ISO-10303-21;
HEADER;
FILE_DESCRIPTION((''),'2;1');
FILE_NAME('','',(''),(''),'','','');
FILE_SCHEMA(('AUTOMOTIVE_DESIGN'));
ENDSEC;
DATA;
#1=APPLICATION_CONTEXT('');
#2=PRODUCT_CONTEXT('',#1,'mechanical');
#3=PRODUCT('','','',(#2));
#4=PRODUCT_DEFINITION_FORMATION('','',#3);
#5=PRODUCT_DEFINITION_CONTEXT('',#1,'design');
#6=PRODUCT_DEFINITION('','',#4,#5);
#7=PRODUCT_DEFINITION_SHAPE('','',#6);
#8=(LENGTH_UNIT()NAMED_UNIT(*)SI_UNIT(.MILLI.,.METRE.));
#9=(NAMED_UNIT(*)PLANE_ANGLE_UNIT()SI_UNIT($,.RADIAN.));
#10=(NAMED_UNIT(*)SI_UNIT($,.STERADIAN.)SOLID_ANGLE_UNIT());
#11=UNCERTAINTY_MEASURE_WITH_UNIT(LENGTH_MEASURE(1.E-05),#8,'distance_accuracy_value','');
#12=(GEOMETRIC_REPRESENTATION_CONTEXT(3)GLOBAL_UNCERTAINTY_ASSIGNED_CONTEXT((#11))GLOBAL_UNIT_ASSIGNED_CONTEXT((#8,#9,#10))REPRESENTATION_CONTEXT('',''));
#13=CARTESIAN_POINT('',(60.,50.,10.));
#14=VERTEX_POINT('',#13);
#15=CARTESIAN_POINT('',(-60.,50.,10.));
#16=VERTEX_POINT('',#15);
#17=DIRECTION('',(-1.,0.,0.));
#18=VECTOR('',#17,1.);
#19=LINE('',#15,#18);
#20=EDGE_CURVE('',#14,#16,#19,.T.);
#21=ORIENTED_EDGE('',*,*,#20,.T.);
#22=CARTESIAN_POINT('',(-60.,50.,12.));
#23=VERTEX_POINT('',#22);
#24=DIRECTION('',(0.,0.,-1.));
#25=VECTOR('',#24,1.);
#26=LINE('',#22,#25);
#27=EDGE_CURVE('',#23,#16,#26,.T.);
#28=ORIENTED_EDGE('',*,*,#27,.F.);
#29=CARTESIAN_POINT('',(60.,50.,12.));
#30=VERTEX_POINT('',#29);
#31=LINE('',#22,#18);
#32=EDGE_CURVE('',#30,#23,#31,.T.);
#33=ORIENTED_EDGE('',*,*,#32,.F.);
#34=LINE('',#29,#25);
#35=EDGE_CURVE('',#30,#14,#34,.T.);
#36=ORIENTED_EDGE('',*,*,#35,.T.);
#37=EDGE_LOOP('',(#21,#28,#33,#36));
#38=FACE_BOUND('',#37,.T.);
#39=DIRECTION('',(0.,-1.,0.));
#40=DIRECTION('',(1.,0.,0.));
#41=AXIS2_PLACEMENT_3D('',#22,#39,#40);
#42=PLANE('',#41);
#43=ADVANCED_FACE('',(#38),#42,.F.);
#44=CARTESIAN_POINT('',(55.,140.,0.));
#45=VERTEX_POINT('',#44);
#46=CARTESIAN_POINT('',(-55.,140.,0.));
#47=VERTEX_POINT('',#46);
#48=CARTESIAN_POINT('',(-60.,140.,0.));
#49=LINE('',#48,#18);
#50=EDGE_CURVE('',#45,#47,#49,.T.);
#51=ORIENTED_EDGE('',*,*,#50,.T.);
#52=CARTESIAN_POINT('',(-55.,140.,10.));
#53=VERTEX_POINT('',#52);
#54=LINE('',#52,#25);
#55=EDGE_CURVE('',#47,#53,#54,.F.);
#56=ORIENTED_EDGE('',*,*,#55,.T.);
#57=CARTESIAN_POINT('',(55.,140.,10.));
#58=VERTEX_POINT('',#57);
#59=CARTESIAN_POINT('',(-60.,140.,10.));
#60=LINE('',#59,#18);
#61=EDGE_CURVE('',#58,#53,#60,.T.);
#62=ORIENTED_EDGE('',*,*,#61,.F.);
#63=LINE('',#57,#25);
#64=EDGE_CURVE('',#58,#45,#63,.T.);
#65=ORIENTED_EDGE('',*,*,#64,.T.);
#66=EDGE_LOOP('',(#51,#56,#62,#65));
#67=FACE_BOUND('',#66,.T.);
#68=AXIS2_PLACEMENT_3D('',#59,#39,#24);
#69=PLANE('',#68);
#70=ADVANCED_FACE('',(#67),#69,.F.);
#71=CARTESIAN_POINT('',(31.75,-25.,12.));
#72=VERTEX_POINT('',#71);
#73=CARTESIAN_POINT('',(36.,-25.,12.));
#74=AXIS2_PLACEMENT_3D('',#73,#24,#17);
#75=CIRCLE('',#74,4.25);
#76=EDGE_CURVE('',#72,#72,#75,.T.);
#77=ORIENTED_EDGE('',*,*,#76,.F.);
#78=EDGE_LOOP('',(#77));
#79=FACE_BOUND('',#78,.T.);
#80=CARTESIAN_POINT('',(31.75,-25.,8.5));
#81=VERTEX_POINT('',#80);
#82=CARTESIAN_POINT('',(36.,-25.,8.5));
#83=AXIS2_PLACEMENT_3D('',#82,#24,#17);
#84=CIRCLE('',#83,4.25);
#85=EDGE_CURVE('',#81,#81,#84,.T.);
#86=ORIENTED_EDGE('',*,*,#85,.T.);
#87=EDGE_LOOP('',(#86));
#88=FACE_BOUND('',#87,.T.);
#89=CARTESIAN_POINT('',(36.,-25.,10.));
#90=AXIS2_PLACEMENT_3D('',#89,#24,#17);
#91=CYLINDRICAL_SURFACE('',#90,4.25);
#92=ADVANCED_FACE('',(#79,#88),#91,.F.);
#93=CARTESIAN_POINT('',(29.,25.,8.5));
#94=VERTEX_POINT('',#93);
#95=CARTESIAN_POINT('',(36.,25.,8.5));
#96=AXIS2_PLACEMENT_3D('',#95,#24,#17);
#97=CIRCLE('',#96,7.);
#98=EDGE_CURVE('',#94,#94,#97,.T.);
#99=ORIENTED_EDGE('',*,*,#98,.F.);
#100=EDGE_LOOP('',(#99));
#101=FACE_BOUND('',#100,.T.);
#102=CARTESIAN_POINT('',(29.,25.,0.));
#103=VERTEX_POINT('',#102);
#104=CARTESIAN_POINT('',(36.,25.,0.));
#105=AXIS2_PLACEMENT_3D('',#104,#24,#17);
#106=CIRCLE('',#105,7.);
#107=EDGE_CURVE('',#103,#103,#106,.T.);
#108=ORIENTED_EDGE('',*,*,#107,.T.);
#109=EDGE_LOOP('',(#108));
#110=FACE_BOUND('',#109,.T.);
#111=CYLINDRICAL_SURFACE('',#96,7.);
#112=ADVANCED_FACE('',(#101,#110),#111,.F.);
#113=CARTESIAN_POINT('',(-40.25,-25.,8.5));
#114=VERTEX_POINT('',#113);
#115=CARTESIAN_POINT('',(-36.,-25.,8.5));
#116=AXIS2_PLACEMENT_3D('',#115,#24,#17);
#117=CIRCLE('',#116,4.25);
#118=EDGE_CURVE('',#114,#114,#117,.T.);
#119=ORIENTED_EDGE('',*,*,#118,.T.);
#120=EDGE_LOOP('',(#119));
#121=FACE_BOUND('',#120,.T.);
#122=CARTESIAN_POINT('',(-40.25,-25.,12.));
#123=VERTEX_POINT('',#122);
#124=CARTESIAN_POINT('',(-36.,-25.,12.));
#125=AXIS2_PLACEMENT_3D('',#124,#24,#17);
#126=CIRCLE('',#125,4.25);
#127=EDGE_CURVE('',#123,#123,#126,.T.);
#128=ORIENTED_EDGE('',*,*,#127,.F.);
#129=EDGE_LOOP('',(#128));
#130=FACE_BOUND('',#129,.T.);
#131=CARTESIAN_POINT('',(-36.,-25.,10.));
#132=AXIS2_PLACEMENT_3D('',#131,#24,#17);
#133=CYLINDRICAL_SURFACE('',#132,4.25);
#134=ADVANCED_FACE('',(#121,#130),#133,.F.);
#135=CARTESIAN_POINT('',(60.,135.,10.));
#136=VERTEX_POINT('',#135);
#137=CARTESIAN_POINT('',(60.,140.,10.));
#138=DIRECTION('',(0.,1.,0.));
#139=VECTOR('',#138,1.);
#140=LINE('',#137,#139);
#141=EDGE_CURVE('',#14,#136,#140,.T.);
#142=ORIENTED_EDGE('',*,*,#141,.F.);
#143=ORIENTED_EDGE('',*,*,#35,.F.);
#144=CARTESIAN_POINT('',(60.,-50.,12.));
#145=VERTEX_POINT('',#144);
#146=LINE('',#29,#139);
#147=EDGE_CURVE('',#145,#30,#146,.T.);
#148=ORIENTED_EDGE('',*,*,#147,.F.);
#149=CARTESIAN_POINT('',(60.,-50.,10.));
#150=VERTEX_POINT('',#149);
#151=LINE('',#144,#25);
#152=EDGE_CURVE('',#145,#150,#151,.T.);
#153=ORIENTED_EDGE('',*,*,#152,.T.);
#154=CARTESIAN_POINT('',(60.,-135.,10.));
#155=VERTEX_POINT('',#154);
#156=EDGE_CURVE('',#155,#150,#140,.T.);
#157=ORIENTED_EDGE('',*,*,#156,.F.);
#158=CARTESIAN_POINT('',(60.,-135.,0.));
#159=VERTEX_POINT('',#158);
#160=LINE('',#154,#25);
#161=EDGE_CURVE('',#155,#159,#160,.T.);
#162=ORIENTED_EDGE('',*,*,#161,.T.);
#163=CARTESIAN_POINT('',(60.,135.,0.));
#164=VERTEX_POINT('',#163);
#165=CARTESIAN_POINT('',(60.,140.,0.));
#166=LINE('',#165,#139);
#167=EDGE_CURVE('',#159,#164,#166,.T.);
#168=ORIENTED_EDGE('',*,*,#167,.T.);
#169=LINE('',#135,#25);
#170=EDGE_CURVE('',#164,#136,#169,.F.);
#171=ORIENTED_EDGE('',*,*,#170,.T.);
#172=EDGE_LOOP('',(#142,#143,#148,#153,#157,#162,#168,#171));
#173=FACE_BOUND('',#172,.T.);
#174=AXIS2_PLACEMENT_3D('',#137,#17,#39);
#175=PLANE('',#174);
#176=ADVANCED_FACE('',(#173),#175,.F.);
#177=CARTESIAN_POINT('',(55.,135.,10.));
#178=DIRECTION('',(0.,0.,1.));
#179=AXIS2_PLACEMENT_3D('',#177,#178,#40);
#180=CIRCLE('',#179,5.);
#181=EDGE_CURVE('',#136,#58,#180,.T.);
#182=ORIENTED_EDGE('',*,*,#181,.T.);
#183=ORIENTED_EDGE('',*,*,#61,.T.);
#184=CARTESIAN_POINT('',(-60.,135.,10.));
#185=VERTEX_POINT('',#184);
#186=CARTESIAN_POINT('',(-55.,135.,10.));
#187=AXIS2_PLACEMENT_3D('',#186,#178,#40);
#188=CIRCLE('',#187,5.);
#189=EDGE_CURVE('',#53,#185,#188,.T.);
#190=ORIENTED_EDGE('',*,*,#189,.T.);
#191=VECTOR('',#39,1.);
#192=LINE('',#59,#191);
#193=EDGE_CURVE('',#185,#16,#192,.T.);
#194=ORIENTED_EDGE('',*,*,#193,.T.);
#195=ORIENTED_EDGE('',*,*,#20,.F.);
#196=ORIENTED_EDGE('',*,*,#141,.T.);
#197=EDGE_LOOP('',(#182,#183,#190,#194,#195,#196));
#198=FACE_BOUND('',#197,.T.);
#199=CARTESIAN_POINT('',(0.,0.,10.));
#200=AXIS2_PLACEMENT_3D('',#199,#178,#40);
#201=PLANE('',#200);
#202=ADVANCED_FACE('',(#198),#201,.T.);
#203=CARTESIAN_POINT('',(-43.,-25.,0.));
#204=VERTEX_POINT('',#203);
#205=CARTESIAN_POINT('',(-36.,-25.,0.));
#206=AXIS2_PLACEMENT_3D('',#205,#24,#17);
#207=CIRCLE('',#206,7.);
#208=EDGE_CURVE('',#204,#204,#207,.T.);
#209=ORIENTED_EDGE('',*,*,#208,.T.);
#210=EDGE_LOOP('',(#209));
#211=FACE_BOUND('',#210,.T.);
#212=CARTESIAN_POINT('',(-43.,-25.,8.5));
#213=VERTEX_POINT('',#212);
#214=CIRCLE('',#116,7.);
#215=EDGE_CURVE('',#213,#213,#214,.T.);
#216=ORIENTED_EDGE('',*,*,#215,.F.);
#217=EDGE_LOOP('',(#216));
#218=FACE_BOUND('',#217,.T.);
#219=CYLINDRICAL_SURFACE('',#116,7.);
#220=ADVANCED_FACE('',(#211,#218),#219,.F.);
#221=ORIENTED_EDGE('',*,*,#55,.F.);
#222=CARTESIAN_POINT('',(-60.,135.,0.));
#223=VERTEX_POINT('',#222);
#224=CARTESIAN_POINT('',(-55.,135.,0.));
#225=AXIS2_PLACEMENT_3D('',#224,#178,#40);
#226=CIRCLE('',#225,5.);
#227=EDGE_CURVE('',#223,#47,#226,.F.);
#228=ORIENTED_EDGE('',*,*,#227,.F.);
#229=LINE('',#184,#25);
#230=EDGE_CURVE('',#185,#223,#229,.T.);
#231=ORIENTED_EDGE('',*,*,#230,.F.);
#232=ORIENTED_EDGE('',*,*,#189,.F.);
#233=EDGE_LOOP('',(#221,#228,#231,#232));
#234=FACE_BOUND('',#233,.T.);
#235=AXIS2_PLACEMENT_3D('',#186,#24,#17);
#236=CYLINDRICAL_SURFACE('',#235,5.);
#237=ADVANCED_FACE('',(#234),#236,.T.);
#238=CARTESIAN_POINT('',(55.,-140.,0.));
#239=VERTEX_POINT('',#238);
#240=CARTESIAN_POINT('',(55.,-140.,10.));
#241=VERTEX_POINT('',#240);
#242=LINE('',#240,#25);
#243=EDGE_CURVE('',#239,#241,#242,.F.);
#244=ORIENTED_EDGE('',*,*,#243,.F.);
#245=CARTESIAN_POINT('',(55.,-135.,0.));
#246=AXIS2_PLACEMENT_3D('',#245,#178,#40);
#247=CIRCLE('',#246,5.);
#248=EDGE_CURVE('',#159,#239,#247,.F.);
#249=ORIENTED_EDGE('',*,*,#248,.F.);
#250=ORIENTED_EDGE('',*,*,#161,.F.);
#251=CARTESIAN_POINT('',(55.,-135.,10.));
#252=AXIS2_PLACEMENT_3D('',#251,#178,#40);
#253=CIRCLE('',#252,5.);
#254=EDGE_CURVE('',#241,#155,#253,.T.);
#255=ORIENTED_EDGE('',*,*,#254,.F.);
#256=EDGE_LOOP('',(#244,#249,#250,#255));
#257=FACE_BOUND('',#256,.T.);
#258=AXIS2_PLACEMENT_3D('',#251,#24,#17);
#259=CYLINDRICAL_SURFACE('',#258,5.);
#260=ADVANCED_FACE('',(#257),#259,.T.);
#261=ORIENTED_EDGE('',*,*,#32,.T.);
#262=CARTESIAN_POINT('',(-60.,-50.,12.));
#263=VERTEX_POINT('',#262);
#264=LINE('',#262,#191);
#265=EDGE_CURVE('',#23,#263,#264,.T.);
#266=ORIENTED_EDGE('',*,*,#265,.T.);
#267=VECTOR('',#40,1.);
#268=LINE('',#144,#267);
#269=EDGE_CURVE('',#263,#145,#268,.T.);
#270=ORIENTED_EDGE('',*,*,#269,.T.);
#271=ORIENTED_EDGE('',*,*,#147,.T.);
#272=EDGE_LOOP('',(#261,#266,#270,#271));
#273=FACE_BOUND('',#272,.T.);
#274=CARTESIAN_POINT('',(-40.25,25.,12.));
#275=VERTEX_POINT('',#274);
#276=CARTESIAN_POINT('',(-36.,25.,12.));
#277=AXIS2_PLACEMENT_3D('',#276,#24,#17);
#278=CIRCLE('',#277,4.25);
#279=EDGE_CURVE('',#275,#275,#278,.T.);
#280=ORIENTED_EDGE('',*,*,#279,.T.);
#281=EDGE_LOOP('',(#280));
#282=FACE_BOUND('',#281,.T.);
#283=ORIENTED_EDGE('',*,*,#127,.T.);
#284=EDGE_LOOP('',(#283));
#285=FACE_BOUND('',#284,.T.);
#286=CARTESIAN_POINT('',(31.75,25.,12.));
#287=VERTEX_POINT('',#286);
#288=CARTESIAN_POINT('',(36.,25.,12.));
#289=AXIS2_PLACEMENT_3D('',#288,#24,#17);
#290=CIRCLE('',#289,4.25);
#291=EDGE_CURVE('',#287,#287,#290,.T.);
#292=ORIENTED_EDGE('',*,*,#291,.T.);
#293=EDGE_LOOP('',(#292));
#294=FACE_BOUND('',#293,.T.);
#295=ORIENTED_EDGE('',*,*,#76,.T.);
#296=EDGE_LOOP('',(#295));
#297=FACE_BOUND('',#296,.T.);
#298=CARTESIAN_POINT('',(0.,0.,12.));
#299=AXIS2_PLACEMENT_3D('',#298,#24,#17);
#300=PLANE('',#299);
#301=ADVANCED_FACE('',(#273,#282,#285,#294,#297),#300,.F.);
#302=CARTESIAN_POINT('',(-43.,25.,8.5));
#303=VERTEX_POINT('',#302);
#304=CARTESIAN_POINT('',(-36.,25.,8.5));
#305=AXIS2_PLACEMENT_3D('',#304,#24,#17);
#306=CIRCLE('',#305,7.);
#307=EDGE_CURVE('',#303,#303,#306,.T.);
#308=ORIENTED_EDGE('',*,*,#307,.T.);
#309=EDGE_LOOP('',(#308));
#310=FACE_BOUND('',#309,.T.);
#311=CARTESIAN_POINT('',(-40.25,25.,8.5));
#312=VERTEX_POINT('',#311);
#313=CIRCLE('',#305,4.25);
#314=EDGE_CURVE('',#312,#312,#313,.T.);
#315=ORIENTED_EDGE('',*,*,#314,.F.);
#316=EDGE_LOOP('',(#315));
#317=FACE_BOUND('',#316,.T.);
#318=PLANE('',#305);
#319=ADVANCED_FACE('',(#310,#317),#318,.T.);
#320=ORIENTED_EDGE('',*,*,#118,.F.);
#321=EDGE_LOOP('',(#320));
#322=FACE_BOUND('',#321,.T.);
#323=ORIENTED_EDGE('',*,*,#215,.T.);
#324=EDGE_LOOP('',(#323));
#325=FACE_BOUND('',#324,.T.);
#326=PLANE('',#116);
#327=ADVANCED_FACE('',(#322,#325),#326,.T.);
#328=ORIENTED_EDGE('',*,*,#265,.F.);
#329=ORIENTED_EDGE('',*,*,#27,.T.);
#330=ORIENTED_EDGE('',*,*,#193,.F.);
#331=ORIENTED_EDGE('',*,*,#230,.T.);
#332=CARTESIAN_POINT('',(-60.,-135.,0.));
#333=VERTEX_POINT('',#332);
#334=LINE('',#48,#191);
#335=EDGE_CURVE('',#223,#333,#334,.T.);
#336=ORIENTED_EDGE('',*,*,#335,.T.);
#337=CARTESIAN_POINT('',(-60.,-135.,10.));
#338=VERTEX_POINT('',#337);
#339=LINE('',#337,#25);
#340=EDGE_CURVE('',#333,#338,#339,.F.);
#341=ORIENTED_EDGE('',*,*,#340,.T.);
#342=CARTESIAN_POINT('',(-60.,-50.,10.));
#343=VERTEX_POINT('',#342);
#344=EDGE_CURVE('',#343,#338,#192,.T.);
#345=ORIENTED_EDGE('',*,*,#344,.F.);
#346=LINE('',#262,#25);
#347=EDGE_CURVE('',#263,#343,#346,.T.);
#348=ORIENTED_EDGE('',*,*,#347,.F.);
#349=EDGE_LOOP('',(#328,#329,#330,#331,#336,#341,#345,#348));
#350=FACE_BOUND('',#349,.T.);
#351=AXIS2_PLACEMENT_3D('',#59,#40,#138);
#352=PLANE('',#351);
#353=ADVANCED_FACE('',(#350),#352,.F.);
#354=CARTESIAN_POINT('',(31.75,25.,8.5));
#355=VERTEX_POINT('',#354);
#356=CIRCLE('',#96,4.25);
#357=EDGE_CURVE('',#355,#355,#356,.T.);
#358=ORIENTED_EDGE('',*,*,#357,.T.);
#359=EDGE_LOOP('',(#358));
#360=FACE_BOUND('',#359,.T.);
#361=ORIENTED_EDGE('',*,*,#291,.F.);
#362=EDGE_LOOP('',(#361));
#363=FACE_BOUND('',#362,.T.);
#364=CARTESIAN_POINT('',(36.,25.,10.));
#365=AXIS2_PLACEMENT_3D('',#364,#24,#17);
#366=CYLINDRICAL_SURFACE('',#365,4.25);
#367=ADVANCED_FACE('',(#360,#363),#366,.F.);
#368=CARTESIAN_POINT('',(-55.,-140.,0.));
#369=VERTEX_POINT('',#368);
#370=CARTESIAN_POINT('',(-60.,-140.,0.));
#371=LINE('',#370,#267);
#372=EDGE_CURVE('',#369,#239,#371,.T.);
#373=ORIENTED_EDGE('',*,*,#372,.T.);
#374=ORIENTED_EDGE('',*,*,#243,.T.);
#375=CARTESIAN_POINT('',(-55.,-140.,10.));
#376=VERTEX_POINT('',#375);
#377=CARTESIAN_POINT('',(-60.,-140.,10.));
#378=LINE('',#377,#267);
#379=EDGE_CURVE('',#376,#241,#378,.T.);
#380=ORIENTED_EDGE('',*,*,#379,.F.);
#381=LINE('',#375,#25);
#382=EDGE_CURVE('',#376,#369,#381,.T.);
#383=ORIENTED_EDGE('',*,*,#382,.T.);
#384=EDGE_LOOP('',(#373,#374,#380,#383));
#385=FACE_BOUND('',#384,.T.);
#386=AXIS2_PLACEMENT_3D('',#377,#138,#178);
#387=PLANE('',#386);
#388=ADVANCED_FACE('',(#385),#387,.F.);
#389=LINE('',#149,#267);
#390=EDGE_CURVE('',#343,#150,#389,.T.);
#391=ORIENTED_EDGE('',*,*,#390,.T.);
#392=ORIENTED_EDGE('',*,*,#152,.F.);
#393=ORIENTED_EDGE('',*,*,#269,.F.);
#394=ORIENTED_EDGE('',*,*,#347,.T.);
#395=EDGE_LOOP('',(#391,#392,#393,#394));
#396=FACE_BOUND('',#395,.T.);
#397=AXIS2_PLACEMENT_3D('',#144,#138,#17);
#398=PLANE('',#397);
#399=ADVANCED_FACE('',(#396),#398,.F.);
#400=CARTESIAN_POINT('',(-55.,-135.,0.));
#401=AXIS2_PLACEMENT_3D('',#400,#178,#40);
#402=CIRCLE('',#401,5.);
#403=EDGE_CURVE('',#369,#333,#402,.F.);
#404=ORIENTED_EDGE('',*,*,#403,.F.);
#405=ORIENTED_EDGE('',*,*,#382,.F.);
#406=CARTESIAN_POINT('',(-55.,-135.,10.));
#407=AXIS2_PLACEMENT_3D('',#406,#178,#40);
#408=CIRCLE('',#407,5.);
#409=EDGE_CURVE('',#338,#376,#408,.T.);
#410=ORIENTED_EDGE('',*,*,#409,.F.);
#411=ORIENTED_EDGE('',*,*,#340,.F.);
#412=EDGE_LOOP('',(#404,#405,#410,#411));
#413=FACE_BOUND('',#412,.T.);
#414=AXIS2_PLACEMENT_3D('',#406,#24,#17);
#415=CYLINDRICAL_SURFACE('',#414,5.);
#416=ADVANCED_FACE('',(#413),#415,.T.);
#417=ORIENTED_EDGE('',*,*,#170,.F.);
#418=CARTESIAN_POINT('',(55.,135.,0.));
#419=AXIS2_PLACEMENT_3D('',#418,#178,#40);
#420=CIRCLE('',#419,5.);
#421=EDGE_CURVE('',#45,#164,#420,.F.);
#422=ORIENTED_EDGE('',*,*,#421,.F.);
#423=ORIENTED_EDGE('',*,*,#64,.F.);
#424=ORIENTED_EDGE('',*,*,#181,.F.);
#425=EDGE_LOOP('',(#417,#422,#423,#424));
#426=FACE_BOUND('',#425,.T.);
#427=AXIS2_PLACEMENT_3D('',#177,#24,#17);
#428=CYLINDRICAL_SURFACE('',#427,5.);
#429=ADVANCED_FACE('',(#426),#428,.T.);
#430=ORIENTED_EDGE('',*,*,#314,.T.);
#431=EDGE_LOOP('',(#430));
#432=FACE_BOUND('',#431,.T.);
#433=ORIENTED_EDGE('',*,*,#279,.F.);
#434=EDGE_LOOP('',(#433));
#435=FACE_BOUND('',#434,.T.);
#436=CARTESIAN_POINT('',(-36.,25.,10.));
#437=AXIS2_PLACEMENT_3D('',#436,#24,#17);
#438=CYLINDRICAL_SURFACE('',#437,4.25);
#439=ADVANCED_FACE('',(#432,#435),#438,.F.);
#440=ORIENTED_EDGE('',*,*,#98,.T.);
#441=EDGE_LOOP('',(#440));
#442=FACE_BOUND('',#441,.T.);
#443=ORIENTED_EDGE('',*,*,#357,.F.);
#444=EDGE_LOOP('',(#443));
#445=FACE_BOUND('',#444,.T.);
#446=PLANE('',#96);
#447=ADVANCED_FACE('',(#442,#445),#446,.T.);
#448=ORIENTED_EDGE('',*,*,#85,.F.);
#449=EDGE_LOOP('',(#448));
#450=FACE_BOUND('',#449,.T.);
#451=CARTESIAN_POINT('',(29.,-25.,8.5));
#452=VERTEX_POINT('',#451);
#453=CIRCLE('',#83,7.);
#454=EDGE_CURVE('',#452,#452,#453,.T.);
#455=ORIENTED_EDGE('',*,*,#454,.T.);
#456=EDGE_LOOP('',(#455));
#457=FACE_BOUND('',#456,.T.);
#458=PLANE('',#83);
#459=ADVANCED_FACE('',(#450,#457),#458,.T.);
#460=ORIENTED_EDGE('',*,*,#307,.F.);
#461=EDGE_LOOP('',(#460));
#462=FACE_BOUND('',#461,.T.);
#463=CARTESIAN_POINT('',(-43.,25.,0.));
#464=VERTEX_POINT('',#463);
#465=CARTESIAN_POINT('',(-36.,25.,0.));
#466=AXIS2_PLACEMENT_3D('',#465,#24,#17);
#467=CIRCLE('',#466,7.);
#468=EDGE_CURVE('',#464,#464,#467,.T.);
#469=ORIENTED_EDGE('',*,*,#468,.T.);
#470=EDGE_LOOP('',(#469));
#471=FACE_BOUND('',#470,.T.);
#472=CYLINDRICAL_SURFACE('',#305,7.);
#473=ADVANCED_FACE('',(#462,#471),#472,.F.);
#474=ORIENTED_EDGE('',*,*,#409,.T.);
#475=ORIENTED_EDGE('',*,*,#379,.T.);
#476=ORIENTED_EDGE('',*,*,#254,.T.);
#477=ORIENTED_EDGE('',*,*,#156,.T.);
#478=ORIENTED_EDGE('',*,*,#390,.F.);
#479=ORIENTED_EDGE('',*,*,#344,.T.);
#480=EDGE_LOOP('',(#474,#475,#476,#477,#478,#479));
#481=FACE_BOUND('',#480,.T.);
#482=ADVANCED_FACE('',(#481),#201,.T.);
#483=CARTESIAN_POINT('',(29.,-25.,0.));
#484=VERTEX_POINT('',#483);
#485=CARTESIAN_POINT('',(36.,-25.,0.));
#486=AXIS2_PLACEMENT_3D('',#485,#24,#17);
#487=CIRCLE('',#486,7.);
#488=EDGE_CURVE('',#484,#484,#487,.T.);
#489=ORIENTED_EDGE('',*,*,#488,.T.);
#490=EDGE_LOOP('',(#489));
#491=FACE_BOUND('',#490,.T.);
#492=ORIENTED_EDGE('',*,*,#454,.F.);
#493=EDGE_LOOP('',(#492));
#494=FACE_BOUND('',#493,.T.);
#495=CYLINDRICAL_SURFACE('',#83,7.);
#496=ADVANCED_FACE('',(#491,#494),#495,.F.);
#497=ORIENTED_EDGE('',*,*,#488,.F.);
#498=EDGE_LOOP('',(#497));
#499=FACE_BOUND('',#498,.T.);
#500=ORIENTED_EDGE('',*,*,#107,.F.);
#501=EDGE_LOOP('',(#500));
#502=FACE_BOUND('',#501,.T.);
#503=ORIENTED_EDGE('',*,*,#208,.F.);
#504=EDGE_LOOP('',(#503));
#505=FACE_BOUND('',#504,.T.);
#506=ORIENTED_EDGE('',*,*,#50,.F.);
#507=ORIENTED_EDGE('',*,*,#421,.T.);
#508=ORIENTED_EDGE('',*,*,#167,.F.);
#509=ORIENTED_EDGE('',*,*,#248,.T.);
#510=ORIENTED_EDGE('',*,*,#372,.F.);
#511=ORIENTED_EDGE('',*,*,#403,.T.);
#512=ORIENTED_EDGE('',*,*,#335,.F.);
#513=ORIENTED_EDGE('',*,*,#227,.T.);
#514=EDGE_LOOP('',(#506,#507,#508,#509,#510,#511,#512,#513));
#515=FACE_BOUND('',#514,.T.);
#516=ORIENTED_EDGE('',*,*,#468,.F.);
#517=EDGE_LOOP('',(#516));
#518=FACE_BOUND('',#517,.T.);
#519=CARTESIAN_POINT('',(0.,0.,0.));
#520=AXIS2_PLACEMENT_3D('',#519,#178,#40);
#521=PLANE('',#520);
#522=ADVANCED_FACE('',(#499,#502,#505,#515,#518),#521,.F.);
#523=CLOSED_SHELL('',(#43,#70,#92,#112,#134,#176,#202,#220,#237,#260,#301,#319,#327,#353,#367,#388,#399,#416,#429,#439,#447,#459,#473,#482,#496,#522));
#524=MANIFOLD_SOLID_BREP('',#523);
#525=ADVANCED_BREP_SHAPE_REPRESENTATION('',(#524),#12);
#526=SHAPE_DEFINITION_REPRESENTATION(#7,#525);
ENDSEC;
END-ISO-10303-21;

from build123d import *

# Parameters (mm, degrees)
SKETCH_1_W          = 120
SKETCH_1_H          = 280
SKETCH_1_R          = 4.25
EXTRUDE_1_DEPTH     = 10
FILLET_1_R          = 5
SKETCH_2_W          = 120
SKETCH_2_H          = 100
EXTRUDE_2_DEPTH     = 2
SKETCH_3_R          = 4.25
CUT_EXTRUDE_1_DEPTH = 35
SKETCH_5_R          = 7
CUT_EXTRUDE_3_DEPTH = 8.5


with BuildPart() as part:
    # 草图1 → 凸台-拉伸1 (new body)
    with BuildSketch(Plane.XY):
        Rectangle(SKETCH_1_W, SKETCH_1_H)
        with Locations((36, 25)):
            Circle(SKETCH_1_R, mode=Mode.SUBTRACT)
        with Locations(Location((36, -25, 0), (0, 0, 180))):
            Circle(SKETCH_1_R, mode=Mode.SUBTRACT)
        with Locations((-36, -25)):
            Circle(SKETCH_1_R, mode=Mode.SUBTRACT)
        with Locations(Location((-36, 25, 0), (0, 0, 180))):
            Circle(SKETCH_1_R, mode=Mode.SUBTRACT)
    extrude(amount=EXTRUDE_1_DEPTH)

    # 圆角1
    fillet_1_edges = [part.edges().sort_by_distance(p)[0] for p in [
        (-60, 140, 5),
        (60, 140, 5),
        (60, -140, 5),
        (-60, -140, 5),
    ]]
    fillet(fillet_1_edges, radius=FILLET_1_R)

    # 草图2 → 凸台-拉伸2 (add)
    with BuildSketch(Plane.XY.offset(10)):
        Rectangle(SKETCH_2_W, SKETCH_2_H)
    extrude(amount=EXTRUDE_2_DEPTH)

    # 草图3 → 切除-拉伸1 (cut)
    with BuildSketch(Plane(origin=(0, 0, 0), x_dir=(-1, 0, 0), z_dir=(0, 0, -1))):
        with Locations((-36, -25)):
            Circle(SKETCH_3_R)
        with Locations((-36, 25)):
            Circle(SKETCH_3_R)
        with Locations((36, 25)):
            Circle(SKETCH_3_R)
        with Locations((36, -25)):
            Circle(SKETCH_3_R)
    extrude(amount=-CUT_EXTRUDE_1_DEPTH, mode=Mode.SUBTRACT)

    # 草图5 → 切除-拉伸3 (cut)
    with BuildSketch(Plane(origin=(0, 0, 0), x_dir=(-1, 0, 0), z_dir=(0, 0, -1))):
        with Locations((36, 25)):
            Circle(SKETCH_5_R)
        with Locations((36, -25)):
            Circle(SKETCH_5_R)
        with Locations((-36, -25)):
            Circle(SKETCH_5_R)
        with Locations((-36, 25)):
            Circle(SKETCH_5_R)
    extrude(amount=-CUT_EXTRUDE_3_DEPTH, mode=Mode.SUBTRACT)


solid = part.part
